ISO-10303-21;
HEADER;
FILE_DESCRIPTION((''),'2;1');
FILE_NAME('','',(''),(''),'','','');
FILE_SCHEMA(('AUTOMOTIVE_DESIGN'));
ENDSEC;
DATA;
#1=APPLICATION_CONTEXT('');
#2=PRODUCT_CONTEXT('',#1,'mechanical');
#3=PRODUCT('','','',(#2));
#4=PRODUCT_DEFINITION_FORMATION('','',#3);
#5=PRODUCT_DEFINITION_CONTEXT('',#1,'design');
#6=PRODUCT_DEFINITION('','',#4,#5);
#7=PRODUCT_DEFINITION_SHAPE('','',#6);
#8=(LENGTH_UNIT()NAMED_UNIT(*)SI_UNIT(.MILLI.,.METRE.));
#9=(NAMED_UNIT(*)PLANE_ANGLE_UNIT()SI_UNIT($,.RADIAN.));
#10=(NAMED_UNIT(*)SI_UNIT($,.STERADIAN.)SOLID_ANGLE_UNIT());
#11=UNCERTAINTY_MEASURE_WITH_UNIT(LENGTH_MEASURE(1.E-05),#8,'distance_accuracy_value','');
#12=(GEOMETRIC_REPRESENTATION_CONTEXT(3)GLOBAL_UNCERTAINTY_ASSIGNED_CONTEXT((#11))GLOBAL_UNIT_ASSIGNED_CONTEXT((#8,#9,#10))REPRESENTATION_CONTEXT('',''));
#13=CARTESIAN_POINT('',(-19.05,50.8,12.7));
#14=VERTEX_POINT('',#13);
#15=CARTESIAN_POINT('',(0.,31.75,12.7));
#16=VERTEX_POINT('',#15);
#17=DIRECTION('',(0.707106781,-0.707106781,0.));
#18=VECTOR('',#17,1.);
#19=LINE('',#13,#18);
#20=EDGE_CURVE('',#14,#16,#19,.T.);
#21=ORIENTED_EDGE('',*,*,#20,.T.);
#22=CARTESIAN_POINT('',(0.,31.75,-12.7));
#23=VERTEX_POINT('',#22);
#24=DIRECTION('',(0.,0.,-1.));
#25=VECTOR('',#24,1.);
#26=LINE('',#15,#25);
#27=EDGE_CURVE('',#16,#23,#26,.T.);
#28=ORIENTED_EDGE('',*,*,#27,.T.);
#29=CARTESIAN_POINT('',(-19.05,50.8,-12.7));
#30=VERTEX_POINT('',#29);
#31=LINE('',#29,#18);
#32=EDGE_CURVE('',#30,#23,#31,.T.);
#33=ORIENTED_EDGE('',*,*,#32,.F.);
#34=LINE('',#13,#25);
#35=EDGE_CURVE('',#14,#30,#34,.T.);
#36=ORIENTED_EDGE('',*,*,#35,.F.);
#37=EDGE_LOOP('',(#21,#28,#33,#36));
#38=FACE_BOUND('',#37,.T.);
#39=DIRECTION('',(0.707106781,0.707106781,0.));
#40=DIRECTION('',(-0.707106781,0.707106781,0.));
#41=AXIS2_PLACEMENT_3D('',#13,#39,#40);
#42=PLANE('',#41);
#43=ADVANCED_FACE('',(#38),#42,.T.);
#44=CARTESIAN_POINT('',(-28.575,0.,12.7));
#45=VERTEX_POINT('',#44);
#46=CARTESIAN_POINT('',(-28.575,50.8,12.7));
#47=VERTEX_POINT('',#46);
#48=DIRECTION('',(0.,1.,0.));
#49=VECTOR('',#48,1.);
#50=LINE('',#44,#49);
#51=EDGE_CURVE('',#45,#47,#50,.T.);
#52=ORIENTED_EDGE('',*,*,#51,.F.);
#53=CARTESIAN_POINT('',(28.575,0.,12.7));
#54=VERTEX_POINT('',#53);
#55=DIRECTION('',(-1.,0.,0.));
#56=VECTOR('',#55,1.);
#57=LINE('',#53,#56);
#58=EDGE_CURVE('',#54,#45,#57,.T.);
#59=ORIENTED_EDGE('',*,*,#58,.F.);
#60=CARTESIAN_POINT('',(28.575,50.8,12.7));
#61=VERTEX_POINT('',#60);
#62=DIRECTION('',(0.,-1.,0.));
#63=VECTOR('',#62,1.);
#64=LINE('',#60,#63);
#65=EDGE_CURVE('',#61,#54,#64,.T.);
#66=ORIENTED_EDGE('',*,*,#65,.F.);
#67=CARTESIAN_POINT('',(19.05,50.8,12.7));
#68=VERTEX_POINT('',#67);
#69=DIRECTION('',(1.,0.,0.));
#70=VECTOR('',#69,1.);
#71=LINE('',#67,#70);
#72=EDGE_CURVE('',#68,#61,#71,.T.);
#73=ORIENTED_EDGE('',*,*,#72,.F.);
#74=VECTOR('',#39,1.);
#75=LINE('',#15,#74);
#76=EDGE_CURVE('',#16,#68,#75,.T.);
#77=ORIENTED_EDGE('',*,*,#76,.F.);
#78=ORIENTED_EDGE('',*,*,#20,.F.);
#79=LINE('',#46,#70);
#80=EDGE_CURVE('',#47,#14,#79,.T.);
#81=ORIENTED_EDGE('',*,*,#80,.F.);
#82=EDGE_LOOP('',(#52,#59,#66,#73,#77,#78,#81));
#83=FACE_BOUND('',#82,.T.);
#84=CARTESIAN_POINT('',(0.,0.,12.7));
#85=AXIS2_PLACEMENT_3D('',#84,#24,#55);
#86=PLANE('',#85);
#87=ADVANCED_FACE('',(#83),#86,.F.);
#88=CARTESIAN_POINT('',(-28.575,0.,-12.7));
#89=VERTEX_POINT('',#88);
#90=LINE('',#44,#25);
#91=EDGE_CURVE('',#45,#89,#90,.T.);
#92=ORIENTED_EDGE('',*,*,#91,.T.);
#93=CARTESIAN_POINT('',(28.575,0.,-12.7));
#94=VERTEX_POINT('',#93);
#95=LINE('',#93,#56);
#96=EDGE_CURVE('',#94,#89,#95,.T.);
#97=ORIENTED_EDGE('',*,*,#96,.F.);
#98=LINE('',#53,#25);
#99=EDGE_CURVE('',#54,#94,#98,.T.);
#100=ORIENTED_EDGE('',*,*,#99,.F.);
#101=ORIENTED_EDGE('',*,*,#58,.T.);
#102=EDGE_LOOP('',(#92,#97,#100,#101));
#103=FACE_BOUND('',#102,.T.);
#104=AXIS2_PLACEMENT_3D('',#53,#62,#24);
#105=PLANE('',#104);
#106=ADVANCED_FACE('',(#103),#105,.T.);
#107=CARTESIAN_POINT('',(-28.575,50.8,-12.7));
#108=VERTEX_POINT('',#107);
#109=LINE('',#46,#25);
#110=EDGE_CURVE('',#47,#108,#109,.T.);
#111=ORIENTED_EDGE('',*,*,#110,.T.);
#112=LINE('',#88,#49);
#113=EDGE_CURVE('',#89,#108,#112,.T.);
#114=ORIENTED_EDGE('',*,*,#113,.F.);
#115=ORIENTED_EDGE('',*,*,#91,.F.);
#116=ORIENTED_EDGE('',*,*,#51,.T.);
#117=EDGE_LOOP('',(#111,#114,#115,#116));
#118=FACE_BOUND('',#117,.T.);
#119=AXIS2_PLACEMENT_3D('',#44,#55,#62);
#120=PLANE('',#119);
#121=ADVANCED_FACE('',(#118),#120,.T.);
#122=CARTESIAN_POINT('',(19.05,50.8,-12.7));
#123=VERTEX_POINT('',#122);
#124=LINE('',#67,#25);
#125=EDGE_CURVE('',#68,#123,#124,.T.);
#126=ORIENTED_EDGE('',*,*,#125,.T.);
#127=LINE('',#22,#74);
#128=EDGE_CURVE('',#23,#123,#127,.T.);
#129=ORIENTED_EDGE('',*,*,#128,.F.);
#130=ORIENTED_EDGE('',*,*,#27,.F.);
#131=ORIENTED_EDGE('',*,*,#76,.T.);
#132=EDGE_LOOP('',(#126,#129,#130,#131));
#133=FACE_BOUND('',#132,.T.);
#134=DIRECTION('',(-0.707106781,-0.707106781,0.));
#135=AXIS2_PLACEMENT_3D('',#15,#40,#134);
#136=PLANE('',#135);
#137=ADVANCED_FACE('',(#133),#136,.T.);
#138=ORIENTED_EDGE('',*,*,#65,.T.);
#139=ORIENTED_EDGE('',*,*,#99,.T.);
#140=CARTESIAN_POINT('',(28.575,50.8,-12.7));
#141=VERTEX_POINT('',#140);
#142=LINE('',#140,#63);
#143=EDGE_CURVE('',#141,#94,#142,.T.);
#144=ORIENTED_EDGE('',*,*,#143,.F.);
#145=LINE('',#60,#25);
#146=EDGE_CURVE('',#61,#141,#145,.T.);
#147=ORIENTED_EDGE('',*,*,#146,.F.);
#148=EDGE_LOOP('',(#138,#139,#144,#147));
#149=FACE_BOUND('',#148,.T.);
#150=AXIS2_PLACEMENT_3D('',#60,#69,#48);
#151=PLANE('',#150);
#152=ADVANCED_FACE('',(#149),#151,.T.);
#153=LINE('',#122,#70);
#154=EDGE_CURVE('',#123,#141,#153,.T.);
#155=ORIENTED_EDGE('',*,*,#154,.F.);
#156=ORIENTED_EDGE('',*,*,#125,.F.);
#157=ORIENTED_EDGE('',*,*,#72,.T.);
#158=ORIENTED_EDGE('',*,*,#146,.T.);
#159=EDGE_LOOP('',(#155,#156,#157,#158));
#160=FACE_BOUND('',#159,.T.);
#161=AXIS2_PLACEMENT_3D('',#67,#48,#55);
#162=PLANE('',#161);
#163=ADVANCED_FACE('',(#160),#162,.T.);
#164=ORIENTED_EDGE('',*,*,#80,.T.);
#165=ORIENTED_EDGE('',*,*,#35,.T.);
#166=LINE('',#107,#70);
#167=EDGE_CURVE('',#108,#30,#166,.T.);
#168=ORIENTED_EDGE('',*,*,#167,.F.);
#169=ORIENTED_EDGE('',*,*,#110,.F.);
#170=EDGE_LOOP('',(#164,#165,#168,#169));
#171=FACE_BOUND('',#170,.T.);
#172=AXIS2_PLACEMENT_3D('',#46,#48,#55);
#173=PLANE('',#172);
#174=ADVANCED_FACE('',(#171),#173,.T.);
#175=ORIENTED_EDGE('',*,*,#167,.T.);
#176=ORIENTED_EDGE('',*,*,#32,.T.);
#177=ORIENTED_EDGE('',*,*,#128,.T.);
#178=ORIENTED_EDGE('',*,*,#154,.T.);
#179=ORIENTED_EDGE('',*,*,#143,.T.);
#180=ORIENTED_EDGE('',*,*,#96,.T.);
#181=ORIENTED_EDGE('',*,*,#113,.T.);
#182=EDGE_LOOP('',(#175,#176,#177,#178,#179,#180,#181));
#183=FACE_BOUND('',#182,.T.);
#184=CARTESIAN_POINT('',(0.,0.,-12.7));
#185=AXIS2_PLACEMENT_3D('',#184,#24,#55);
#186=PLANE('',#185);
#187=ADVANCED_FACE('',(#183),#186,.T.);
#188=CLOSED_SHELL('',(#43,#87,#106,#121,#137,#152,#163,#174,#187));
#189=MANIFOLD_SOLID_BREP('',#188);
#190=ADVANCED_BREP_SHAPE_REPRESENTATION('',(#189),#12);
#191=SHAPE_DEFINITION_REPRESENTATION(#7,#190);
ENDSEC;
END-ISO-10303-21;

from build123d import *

# Parameters (mm, degrees)
BOSS_EXTRUDE1_DEPTH = 12.7


with BuildPart() as part:
    # Sketch1 → Boss-Extrude1 (new, symmetric)
    with BuildSketch(Plane.XY):
        Polygon((-28.575, 50.8), (-19.05, 50.8), (0, 31.75), (19.05, 50.8), (28.575, 50.8), (28.575, 0), (-28.575, 0), align=None)
    extrude(amount=BOSS_EXTRUDE1_DEPTH, both=True)


solid = part.part
